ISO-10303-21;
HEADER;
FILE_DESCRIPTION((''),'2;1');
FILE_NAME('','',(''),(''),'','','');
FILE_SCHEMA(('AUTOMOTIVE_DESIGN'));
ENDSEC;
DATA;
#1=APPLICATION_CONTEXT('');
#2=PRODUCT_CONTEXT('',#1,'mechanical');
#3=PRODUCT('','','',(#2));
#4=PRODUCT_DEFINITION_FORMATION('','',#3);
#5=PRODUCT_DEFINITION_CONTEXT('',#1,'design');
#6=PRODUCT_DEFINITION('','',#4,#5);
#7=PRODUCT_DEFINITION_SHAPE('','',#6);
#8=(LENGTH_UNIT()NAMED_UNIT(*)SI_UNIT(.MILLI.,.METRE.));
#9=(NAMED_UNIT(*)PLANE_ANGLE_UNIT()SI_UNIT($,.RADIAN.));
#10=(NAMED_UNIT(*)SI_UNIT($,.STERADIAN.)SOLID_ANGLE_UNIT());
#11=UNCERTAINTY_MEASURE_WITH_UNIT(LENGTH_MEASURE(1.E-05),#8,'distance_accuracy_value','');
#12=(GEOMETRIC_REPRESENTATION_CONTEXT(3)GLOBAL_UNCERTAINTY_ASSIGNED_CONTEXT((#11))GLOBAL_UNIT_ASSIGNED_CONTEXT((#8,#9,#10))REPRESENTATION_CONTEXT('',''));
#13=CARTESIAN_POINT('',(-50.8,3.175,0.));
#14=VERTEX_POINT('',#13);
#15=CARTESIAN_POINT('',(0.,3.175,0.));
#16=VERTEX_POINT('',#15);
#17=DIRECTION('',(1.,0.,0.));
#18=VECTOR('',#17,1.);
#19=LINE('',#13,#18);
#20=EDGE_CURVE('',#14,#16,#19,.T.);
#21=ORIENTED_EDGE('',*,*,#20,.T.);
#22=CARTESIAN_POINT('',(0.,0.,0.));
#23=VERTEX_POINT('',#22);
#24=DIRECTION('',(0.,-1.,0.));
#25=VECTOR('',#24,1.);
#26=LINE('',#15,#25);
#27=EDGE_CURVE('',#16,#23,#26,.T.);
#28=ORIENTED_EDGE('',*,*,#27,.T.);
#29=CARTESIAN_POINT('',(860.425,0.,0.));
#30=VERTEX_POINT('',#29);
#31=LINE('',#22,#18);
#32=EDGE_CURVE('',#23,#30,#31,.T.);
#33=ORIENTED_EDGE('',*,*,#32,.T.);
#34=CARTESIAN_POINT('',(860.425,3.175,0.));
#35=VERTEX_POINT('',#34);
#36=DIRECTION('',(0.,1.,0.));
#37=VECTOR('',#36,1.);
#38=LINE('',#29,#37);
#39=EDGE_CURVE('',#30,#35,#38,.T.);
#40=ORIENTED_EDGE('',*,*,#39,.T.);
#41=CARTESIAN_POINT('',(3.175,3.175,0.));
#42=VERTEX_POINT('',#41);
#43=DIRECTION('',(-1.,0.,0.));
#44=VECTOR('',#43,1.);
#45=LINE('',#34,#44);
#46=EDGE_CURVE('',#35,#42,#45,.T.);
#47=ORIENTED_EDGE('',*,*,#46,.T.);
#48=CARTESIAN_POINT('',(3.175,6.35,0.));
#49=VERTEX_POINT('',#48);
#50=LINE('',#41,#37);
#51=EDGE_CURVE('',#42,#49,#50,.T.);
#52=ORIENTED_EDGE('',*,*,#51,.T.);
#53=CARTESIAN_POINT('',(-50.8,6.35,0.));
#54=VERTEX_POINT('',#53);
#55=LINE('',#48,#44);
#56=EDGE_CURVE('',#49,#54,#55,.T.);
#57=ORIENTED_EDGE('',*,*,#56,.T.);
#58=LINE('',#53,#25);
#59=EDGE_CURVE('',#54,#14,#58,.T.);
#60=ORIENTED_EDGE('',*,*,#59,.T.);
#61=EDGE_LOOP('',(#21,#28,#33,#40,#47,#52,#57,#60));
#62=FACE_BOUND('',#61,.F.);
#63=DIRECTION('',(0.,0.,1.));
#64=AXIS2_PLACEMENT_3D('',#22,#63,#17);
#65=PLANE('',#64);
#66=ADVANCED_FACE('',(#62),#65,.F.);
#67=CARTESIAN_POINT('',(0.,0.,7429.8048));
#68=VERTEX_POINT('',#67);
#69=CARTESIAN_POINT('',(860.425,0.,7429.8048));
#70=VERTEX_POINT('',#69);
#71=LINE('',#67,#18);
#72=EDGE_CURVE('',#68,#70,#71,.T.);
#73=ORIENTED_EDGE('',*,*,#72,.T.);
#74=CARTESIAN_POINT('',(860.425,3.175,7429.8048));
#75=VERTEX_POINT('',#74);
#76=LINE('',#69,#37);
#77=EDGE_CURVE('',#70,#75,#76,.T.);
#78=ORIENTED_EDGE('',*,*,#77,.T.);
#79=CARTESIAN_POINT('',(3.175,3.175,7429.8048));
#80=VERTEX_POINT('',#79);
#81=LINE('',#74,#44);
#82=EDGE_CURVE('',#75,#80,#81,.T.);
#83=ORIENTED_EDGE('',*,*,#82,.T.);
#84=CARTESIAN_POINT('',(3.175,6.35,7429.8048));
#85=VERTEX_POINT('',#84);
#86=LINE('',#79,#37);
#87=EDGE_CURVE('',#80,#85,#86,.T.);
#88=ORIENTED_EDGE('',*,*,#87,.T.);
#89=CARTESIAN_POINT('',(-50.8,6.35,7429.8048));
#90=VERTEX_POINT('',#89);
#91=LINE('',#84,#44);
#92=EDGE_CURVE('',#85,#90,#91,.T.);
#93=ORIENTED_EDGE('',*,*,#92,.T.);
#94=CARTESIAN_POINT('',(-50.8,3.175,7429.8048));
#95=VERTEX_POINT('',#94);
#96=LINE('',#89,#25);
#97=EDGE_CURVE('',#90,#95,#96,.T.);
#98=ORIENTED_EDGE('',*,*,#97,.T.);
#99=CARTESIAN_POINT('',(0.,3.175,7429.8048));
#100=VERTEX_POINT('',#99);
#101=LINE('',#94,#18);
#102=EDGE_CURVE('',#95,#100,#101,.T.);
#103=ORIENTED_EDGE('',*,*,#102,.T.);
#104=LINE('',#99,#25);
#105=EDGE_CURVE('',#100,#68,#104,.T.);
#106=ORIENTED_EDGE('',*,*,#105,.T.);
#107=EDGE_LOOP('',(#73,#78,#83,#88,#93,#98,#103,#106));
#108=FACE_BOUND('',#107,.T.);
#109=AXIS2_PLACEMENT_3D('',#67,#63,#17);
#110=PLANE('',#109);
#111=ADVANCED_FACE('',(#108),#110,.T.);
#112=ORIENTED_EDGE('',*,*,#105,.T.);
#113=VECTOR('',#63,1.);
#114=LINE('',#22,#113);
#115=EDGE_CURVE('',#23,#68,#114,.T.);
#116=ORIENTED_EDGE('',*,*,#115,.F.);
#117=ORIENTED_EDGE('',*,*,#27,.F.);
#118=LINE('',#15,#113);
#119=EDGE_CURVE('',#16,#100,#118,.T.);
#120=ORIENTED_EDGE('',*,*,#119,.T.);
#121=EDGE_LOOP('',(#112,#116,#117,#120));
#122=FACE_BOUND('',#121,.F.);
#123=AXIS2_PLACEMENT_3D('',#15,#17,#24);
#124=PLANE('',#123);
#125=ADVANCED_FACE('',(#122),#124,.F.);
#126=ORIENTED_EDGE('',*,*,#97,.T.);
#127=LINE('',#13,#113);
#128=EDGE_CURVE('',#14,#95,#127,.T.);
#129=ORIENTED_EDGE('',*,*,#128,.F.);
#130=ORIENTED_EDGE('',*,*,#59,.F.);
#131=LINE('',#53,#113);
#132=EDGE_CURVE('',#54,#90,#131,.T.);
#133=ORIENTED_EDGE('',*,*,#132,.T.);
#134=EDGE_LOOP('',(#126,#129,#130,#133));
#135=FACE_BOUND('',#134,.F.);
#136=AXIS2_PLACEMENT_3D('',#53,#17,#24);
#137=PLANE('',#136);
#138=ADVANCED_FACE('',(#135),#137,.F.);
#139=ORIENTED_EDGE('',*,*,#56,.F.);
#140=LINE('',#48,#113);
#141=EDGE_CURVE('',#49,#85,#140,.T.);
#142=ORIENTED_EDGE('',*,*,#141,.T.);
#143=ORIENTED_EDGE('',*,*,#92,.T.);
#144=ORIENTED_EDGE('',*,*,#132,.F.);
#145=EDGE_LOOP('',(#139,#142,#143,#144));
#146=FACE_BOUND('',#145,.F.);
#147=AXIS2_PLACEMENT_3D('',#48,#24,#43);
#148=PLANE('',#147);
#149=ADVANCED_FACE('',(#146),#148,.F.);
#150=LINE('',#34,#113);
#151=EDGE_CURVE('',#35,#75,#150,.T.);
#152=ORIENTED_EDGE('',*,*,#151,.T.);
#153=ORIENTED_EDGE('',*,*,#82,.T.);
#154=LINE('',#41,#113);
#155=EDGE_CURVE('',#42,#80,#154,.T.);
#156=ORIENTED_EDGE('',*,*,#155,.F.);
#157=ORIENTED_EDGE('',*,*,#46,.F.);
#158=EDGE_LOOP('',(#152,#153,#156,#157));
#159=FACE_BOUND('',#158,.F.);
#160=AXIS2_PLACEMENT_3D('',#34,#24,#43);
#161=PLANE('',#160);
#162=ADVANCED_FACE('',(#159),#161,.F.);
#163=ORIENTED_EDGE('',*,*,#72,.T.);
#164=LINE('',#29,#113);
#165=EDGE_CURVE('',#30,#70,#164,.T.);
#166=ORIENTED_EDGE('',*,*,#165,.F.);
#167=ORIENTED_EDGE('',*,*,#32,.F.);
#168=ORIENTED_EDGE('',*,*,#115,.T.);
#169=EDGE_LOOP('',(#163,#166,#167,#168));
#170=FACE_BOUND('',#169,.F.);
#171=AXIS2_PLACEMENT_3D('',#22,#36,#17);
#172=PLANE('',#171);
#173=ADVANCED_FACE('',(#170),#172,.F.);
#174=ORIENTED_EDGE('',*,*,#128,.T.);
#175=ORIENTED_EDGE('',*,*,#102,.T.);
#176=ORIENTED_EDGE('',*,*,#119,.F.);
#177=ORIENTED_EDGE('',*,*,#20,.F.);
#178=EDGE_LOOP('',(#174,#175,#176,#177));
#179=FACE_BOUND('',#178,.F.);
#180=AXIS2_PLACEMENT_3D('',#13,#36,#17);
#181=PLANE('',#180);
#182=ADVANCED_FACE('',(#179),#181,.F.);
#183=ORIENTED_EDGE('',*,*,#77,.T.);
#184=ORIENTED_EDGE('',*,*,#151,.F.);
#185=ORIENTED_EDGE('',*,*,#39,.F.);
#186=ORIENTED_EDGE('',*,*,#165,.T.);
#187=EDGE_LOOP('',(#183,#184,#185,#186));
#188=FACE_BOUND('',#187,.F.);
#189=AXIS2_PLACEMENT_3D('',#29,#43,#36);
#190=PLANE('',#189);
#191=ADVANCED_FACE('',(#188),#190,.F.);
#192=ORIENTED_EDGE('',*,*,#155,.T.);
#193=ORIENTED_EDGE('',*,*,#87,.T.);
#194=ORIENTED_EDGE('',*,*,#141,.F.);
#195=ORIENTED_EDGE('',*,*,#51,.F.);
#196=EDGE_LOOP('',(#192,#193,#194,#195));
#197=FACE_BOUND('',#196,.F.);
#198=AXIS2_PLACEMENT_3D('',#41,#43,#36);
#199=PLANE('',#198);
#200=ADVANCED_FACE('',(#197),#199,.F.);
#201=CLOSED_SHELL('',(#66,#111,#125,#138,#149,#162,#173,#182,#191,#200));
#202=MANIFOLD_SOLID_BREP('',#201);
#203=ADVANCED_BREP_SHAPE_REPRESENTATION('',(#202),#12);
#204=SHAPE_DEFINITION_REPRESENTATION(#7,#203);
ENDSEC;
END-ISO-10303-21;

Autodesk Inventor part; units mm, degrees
ref_plane "YZ Plane" through (0, 0, 0) normal (1, 0, 0) x (0, 1, 0)
ref_plane "XZ Plane" through (0, 0, 0) normal (0, 1, 0) x (-1, 0, 0)
ref_plane "XY Plane" through (0, 0, 0) normal (0, 0, 1) x (1, 0, 0)
sketch "Sketch1" plane through (0, 0, 0) normal (0, 0, 1) x (1, 0, 0)
  line L0 (0, 0) -> (860.425, 0)
  line L1 (860.425, 0) -> (860.425, 3.175)
  line L2 (860.425, 3.175) -> (3.175, 3.175)
  line L3 (3.175, 3.175) -> (3.175, 6.35)
  line L4 (3.175, 6.35) -> (-50.8, 6.35)
  line L5 (-50.8, 6.35) -> (-50.8, 3.175)
  line L6 (-50.8, 3.175) -> (0, 3.175)
  line L7 (0, 3.175) -> (0, 0)
  dimension "d0" = 50.8
  dimension "d1" = 3.175
  dimension "d2" = 3.175
  dimension "d3" = 3.175
  dimension "d4" = 3.175
  dimension "d5" = 860.425
extrude "Extrusion2" add sketch "Sketch1" along normal blind 7429.8048
properties part number "Underlayment_Over_Underlayment_With_Width_36_Inches" material "Polypropylene"
